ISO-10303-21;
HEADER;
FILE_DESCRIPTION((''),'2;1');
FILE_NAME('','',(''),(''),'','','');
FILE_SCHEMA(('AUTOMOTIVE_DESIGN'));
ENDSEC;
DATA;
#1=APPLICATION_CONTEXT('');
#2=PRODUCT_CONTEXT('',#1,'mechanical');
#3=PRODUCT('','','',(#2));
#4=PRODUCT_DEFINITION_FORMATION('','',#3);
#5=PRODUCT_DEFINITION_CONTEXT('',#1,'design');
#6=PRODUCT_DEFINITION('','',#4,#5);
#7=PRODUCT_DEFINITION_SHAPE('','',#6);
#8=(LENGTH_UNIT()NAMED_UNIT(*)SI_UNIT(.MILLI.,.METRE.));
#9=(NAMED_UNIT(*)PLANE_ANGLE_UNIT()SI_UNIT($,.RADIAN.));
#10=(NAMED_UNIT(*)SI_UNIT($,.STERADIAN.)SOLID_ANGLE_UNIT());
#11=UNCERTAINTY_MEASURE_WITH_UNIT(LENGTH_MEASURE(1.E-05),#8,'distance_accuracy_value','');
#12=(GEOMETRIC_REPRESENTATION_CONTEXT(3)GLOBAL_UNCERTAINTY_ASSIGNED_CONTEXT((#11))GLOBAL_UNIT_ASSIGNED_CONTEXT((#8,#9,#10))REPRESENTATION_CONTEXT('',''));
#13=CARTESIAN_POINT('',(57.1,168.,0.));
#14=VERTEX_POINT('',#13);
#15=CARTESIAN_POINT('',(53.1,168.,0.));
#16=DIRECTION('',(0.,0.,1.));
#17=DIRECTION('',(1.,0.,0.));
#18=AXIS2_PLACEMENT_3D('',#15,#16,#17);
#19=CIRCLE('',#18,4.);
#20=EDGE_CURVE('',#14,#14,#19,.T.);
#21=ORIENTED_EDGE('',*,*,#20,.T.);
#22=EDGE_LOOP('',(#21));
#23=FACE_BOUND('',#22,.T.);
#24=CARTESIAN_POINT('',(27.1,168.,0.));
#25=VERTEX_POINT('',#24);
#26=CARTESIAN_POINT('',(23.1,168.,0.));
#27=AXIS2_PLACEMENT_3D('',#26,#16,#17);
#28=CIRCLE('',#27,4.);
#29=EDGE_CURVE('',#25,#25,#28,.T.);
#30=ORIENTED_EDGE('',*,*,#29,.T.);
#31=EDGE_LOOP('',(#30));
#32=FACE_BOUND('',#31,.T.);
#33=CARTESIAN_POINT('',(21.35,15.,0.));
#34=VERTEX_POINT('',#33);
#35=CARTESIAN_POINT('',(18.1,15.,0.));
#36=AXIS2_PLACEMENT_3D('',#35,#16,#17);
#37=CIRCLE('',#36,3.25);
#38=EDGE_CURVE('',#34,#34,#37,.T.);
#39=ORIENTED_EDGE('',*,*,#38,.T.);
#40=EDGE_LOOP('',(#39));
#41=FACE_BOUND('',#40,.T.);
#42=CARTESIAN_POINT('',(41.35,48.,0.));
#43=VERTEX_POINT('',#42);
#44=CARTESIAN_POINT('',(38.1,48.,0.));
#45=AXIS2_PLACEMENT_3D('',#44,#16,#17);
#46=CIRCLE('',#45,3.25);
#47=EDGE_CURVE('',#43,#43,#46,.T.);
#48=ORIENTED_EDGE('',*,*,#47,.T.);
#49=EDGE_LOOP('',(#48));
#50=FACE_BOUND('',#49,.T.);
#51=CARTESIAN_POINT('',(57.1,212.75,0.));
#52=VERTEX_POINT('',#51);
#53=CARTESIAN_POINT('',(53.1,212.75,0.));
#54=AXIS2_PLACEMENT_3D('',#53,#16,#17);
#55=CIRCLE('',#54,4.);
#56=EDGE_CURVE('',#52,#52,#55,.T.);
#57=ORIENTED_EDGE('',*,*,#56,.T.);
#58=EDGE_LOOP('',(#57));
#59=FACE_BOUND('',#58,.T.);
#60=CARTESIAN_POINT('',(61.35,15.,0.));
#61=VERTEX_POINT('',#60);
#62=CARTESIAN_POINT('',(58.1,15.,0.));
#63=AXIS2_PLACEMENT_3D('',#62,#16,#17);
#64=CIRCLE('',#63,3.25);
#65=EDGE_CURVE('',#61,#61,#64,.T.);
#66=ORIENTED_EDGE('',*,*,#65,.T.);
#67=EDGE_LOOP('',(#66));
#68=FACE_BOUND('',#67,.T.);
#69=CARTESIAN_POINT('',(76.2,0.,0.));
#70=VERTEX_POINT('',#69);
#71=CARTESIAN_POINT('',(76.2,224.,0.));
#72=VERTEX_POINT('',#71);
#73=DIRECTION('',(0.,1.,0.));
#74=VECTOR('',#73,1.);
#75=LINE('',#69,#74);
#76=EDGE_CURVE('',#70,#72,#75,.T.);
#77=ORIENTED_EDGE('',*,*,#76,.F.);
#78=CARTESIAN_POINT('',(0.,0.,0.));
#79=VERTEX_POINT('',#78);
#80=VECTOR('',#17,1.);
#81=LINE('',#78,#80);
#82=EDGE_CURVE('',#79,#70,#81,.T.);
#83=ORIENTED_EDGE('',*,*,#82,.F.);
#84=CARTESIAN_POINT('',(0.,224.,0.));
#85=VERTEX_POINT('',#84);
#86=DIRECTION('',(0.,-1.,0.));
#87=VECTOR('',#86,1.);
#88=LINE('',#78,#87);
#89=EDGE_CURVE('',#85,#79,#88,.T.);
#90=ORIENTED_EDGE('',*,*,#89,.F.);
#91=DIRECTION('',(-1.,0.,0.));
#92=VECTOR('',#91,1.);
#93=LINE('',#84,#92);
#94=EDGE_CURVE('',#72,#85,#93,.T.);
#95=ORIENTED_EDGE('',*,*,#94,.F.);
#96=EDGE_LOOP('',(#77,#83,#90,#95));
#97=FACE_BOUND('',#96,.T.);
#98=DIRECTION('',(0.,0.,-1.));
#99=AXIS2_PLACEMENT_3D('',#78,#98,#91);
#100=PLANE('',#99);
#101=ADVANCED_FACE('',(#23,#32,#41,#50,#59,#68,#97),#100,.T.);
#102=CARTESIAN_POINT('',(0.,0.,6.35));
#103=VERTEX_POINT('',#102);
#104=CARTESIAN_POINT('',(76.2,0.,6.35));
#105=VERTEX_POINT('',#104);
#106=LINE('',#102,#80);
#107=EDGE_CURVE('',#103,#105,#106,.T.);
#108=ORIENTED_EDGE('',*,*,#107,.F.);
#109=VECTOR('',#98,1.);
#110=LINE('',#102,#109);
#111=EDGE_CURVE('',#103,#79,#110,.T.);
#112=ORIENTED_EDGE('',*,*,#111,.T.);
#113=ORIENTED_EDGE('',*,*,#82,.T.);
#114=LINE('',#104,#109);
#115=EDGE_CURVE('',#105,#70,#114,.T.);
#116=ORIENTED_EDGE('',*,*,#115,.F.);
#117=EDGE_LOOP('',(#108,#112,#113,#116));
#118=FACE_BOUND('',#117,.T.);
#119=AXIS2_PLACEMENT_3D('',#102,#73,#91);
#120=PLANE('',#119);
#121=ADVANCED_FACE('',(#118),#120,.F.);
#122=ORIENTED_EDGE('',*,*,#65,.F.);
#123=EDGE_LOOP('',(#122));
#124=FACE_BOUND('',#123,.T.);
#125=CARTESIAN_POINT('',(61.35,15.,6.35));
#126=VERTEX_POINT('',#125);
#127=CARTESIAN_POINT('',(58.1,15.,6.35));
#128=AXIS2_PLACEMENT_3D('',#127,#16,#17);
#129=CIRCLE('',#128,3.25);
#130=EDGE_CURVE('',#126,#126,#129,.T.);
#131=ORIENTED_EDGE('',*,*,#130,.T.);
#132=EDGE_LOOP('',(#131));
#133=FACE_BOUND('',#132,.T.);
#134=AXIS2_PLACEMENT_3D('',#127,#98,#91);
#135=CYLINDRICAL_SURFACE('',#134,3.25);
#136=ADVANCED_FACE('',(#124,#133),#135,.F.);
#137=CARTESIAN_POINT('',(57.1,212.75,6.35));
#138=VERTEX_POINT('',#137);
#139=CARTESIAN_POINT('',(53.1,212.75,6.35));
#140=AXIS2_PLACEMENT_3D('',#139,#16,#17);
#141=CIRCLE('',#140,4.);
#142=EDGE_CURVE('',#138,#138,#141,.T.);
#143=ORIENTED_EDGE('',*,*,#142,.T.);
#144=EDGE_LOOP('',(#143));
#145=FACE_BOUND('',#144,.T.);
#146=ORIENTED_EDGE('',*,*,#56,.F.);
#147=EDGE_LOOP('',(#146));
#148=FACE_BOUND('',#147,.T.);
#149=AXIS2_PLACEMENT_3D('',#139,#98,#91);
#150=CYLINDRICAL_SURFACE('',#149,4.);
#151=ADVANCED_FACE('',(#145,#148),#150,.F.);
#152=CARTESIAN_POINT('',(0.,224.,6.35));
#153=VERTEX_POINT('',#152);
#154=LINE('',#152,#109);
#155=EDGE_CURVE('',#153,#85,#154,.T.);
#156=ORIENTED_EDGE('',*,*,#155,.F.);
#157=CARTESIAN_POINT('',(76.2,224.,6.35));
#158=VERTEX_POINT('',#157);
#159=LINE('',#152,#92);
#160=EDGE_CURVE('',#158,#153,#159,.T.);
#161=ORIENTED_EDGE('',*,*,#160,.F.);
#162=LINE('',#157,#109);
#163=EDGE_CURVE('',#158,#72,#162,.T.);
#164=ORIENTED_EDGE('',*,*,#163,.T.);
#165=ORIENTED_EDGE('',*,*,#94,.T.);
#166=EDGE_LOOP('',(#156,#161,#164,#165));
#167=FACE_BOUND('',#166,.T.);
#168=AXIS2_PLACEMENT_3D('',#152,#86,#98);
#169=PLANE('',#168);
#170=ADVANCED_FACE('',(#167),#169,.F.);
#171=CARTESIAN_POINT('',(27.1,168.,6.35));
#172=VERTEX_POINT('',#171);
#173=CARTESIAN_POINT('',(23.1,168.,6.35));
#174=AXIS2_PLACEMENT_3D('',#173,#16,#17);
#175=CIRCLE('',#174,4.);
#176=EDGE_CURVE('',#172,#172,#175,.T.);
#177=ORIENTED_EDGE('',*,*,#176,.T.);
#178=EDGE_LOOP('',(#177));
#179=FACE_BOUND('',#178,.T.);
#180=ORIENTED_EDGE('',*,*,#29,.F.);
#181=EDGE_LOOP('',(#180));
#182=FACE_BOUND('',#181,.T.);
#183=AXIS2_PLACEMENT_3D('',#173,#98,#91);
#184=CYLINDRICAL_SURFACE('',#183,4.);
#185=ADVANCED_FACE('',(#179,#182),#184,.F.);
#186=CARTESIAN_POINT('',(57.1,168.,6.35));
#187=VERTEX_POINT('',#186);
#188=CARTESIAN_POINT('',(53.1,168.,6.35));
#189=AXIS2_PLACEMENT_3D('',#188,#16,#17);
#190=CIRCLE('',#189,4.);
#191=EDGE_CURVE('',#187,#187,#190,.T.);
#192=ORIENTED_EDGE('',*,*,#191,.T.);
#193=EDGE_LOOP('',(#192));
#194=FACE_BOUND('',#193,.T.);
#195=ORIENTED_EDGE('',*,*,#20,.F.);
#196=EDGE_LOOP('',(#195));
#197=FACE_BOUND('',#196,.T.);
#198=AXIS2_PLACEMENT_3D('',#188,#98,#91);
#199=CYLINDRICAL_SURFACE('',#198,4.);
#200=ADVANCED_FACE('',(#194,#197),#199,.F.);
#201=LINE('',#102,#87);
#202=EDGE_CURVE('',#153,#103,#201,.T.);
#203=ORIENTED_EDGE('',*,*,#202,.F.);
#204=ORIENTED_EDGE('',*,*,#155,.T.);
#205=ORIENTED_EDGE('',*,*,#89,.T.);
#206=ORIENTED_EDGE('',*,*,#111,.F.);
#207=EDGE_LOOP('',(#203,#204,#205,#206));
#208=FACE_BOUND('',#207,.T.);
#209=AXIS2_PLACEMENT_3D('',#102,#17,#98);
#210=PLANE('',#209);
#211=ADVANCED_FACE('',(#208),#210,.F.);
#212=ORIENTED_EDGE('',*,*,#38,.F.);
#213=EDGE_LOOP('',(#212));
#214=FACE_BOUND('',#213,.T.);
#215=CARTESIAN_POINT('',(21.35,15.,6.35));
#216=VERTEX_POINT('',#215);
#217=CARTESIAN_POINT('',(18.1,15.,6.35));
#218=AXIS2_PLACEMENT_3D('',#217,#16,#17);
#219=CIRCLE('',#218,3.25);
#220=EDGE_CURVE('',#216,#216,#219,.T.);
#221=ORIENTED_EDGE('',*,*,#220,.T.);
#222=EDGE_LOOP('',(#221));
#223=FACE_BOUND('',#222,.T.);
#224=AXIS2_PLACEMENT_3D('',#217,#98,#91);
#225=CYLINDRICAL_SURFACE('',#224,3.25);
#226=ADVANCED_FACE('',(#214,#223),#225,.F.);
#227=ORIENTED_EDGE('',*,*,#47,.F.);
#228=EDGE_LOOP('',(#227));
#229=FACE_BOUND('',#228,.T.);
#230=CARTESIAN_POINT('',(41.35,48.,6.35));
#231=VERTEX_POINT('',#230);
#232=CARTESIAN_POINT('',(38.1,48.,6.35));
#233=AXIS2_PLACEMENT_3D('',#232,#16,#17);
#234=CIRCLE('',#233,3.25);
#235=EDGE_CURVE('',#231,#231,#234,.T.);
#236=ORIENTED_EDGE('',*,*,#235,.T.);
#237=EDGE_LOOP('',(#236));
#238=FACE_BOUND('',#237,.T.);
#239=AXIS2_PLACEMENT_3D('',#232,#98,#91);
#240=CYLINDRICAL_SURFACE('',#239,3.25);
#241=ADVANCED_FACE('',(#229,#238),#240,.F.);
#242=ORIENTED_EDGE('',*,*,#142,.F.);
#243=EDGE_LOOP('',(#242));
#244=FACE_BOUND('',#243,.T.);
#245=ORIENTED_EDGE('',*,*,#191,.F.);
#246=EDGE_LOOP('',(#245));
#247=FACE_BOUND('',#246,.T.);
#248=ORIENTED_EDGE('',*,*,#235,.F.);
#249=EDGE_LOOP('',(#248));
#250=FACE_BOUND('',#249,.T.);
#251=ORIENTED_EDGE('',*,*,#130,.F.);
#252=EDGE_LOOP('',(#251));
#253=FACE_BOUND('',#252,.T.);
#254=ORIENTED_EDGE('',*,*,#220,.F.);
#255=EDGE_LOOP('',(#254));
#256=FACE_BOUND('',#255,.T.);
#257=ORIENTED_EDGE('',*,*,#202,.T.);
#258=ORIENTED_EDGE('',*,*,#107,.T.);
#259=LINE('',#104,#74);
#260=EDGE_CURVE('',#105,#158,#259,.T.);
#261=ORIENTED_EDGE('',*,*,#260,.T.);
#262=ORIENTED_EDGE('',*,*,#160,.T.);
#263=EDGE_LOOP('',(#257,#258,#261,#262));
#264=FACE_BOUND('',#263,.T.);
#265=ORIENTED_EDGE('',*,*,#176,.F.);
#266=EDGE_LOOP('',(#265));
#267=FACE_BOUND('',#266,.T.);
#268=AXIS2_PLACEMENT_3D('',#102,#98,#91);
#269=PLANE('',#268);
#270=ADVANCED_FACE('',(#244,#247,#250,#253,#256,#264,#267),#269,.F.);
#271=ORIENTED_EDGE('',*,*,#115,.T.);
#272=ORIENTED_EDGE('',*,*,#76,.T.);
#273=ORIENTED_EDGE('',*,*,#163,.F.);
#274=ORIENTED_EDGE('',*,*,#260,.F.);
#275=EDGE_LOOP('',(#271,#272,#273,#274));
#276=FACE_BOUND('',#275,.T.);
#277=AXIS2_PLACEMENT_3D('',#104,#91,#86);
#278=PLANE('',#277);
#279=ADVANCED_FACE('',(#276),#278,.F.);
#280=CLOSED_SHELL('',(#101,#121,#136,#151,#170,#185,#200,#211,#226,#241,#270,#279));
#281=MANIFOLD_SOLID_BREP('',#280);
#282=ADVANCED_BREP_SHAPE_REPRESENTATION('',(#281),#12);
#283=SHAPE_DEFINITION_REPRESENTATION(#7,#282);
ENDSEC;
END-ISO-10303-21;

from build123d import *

# Parameters (mm, degrees)
SKETCH1_W           = 76.2
SKETCH1_H           = 224
SKETCH1_R           = 4
SKETCH1_R_2         = 3.25
BOSS_EXTRUDE1_DEPTH = 6.35


with BuildPart() as part:
    # Sketch1 → Boss-Extrude1 (new body)
    with BuildSketch(Plane.XY):
        with Locations((38.1, 112)):
            Rectangle(SKETCH1_W, SKETCH1_H)
        with Locations((23.1, 168)):
            Circle(SKETCH1_R, mode=Mode.SUBTRACT)
        with Locations((53.1, 168)):
            Circle(SKETCH1_R, mode=Mode.SUBTRACT)
        with Locations((58.1, 15)):
            Circle(SKETCH1_R_2, mode=Mode.SUBTRACT)
        with Locations((18.1, 15)):
            Circle(SKETCH1_R_2, mode=Mode.SUBTRACT)
        with Locations((53.1, 212.75)):
            Circle(SKETCH1_R, mode=Mode.SUBTRACT)
        with Locations((38.1, 48)):
            Circle(SKETCH1_R_2, mode=Mode.SUBTRACT)
    extrude(amount=BOSS_EXTRUDE1_DEPTH)


solid = part.part
